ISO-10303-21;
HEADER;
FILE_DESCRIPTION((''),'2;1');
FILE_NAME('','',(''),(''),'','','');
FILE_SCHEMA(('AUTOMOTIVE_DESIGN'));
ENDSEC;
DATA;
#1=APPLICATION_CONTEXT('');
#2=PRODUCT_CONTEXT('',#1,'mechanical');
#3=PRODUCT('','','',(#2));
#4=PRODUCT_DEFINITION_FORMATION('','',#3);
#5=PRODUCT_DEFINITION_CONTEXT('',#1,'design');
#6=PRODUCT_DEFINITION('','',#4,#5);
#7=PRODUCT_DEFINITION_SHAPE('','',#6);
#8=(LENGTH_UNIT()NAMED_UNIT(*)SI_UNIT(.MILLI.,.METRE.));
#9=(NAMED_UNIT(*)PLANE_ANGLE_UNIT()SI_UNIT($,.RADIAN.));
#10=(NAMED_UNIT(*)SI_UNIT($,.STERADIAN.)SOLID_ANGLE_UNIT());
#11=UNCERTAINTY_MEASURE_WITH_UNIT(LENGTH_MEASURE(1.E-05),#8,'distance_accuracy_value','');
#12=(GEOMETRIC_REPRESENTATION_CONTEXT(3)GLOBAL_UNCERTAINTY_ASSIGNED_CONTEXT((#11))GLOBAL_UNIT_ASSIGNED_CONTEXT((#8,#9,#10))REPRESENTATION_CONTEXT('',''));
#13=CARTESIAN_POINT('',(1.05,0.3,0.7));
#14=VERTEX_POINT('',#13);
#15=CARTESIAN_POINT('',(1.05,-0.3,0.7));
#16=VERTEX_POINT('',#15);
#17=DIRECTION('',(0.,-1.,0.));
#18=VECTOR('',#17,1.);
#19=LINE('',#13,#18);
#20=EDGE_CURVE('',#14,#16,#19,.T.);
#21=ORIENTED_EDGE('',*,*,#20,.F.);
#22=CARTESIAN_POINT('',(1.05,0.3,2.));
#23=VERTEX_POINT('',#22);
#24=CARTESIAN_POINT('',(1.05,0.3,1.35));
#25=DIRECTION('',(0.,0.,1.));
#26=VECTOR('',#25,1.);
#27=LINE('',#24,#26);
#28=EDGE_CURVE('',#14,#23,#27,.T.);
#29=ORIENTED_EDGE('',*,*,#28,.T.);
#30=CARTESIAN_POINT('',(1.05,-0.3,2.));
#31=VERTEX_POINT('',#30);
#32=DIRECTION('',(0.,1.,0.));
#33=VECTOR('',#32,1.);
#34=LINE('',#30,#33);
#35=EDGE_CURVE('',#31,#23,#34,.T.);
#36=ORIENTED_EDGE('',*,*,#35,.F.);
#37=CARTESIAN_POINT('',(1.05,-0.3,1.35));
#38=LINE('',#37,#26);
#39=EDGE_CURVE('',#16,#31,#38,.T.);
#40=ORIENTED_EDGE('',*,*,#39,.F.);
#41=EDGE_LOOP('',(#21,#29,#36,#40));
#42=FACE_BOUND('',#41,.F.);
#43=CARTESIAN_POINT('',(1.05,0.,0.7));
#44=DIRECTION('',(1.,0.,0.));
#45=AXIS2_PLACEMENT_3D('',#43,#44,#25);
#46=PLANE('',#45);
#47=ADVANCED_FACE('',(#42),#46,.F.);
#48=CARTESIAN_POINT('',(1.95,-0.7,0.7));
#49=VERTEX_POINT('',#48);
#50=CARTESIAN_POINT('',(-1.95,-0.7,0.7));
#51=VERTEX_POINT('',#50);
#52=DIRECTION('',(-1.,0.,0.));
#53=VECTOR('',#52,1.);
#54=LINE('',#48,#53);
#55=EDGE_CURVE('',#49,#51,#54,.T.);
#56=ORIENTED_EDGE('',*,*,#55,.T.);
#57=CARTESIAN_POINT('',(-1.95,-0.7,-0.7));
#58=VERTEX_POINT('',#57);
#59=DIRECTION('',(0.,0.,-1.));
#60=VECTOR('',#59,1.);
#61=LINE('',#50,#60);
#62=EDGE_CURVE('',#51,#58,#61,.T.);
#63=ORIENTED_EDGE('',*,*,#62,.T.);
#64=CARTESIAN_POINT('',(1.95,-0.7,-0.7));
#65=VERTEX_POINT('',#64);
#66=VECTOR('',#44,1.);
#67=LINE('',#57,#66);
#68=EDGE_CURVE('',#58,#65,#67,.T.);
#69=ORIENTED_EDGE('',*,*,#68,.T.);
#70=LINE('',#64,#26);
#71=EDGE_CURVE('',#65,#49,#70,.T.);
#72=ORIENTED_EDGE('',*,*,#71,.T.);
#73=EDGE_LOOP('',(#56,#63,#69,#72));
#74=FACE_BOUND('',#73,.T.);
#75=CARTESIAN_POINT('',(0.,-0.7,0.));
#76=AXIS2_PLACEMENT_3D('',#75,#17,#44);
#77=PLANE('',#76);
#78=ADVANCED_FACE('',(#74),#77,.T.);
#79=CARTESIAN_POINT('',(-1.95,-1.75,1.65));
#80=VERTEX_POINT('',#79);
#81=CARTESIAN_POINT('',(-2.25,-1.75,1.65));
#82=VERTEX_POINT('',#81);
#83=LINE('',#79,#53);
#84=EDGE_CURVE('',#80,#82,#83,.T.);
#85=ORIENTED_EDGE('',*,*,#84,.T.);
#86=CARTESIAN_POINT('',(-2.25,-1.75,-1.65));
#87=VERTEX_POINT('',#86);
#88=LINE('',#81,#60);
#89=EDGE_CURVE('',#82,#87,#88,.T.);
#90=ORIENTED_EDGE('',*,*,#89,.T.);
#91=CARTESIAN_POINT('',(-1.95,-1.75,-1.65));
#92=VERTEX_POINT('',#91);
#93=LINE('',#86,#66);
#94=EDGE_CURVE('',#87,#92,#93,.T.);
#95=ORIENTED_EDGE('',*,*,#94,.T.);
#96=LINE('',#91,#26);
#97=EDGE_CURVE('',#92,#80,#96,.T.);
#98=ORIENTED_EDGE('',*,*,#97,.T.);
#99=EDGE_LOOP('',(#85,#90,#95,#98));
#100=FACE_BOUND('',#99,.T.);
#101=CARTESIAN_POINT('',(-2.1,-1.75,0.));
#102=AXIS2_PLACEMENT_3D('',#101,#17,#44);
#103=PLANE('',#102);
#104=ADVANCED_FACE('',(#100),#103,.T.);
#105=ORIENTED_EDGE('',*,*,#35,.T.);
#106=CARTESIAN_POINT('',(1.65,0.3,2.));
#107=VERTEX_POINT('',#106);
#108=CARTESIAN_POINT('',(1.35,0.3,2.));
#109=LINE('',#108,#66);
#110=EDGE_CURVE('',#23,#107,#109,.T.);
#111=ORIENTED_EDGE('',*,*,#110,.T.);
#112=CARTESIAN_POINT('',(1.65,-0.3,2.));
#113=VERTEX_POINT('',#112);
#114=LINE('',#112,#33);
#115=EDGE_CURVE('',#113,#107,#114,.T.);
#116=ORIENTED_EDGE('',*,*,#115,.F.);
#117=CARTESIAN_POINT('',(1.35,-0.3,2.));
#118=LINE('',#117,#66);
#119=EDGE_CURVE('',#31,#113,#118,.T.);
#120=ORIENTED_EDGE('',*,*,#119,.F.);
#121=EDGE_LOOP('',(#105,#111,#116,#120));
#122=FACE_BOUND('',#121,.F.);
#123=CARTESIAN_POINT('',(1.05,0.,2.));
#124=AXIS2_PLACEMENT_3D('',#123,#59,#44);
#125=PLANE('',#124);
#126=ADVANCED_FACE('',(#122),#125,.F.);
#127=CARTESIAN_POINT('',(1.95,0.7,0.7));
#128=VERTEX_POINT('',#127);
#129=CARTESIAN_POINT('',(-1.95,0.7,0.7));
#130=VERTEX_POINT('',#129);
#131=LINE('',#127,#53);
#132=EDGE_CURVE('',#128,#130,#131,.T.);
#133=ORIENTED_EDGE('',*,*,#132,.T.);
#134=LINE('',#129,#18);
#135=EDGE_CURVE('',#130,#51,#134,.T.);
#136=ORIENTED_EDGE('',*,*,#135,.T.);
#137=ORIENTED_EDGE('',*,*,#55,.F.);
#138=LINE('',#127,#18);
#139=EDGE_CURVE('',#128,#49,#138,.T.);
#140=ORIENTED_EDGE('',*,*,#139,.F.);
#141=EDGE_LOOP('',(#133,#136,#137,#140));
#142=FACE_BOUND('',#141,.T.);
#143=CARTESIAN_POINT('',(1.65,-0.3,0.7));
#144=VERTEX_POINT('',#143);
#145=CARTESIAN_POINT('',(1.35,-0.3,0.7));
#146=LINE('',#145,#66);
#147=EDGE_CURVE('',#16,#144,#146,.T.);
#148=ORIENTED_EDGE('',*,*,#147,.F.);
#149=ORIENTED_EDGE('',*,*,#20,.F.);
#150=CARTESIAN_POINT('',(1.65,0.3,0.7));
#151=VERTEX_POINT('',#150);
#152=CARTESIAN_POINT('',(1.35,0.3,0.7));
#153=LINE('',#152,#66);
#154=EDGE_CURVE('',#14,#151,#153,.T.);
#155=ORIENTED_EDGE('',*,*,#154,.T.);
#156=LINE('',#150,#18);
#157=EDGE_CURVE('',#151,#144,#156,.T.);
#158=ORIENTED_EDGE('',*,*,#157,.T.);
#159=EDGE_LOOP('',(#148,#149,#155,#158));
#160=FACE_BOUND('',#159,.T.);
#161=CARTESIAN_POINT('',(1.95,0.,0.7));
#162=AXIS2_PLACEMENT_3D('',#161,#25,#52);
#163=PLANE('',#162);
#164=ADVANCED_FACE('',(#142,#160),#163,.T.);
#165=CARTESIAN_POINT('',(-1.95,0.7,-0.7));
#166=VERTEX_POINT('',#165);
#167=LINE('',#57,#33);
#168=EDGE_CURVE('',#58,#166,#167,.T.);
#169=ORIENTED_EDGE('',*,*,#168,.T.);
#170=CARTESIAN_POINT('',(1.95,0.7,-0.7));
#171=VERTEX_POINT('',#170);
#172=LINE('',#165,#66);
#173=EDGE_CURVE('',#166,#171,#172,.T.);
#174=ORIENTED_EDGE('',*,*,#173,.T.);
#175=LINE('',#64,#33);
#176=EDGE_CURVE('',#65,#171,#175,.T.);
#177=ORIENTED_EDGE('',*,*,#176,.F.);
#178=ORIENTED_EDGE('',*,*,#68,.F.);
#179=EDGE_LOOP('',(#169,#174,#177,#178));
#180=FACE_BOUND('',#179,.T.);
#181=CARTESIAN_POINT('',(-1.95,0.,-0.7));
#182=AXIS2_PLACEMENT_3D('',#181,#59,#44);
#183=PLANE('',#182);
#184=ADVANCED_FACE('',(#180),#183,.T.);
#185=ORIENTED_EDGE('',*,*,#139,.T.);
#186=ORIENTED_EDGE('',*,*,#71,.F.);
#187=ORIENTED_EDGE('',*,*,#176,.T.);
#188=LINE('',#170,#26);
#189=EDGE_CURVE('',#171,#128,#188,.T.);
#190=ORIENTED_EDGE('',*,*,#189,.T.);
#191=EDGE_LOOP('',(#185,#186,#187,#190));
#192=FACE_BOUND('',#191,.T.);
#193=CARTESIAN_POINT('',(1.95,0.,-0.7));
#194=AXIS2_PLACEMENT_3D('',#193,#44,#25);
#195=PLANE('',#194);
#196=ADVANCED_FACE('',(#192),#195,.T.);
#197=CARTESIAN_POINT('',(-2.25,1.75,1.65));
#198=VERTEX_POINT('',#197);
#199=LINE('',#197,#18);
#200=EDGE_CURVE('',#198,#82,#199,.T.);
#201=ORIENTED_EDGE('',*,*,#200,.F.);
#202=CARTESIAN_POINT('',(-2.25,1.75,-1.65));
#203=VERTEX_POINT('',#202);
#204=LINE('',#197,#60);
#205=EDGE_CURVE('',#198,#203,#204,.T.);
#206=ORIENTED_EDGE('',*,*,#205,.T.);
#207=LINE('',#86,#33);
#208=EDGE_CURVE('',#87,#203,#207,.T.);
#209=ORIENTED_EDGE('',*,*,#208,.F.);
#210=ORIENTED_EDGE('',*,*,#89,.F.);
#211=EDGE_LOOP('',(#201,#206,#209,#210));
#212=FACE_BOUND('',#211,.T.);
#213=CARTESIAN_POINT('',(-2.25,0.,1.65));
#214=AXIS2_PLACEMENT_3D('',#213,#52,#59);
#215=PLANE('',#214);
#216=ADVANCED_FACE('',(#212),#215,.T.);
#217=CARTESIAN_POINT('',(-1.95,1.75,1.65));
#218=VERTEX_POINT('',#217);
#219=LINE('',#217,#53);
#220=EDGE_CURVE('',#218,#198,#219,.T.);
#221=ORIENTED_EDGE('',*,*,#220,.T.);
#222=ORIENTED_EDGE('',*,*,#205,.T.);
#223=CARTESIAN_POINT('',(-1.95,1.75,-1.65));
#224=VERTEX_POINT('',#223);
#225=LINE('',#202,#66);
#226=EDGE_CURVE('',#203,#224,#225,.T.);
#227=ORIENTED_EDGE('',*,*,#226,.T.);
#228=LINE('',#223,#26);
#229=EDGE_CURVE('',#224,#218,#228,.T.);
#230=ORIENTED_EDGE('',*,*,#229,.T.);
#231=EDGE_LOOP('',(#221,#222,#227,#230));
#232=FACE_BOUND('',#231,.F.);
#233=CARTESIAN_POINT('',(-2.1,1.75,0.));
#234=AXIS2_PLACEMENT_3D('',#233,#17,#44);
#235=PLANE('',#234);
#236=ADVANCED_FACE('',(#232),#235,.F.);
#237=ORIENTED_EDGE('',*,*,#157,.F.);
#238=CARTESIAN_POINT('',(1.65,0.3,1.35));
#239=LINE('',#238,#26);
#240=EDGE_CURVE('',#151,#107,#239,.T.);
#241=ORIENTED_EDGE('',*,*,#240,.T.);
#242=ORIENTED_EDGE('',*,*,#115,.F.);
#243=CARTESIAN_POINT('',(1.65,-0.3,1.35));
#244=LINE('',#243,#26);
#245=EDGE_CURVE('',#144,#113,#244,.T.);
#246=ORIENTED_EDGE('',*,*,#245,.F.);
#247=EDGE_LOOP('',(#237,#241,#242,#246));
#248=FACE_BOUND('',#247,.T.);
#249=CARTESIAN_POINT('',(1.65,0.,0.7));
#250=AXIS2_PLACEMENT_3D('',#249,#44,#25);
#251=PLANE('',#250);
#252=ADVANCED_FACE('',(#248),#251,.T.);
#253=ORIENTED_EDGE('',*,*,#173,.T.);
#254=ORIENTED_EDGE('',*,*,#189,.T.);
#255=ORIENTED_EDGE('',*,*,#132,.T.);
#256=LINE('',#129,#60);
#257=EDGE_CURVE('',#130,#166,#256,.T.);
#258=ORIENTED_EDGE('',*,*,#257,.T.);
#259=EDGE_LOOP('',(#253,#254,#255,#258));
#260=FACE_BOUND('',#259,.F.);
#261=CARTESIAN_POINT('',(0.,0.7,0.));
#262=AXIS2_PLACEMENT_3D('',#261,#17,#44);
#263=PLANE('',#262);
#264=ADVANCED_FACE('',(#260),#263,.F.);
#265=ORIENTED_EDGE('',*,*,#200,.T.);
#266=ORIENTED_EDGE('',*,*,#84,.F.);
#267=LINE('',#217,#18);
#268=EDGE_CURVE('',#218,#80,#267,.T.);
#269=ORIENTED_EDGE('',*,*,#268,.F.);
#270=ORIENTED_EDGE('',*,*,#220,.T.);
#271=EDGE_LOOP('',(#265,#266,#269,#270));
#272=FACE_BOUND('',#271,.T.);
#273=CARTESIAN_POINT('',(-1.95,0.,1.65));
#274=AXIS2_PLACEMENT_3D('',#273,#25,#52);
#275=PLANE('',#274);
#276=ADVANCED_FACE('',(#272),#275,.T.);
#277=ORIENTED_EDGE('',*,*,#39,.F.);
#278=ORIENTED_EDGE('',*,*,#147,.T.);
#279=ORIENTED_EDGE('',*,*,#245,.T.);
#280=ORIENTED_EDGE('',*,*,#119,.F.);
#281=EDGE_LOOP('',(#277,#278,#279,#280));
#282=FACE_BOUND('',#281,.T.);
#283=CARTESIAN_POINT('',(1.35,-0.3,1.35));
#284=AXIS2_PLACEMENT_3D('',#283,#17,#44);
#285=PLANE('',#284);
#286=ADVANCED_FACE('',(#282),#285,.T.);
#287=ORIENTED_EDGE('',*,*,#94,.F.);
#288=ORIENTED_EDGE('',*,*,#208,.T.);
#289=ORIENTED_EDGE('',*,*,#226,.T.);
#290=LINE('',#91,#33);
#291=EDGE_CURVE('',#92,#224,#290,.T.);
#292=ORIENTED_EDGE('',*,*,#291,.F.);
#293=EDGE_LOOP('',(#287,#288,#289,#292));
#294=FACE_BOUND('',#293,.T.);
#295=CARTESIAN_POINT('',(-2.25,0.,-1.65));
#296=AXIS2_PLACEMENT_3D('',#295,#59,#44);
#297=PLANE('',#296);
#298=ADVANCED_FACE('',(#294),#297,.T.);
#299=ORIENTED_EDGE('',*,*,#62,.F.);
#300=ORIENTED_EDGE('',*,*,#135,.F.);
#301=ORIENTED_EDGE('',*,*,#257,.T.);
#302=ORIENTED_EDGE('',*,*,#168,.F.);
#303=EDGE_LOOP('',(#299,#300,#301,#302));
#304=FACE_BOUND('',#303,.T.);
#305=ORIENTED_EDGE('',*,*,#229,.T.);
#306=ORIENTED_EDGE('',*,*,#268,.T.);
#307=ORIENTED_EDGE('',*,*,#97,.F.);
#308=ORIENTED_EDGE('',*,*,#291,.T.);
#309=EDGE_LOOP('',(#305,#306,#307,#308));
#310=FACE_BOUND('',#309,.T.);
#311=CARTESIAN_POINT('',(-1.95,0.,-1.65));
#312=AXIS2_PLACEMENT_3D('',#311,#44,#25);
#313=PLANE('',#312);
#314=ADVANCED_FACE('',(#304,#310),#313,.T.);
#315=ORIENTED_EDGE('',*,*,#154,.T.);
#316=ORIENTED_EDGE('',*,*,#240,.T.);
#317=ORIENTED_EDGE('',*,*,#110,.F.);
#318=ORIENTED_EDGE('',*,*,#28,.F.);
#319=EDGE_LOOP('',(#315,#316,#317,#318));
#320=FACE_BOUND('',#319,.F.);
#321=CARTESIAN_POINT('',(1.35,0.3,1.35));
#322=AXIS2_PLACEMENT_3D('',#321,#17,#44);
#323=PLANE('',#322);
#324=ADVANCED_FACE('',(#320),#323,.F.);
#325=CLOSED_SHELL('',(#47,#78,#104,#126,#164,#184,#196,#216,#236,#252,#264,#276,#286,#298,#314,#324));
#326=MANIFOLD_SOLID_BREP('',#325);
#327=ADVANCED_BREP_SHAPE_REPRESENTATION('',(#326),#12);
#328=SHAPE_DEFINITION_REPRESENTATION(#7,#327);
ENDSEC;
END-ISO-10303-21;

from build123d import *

# Parameters (mm, degrees)
F1_DEPTH = 1.75
F2_DEPTH = 0.7
F0_W     = 0.6
F0_H     = 1.3
F3_DEPTH = 0.3


with BuildPart() as f1:
    # F0 (on Front) → F1 (new body, symmetric)
    with BuildSketch(Plane.XZ):
        Polygon((-1.95, -1.65), (-1.95, -0.7), (-1.95, 0.7), (-1.95, 1.65), (-2.25, 1.65), (-2.25, -1.65), align=None)
    extrude(amount=F1_DEPTH, both=True)

    # F0 (on Front) → F2 (join, symmetric)
    with BuildSketch(Plane.XZ):
        Polygon((1.95, -0.7), (1.95, 0.7), (1.65, 0.7), (1.05, 0.7), (-1.95, 0.7), (-1.95, -0.7), align=None)
    extrude(amount=F2_DEPTH, both=True)

    # F0 (on Front) → F3 (join, symmetric)
    with BuildSketch(Plane.XZ):
        with Locations((1.35, 1.35)):
            Rectangle(F0_W, F0_H)
    extrude(amount=F3_DEPTH, both=True)


solid = f1.part
